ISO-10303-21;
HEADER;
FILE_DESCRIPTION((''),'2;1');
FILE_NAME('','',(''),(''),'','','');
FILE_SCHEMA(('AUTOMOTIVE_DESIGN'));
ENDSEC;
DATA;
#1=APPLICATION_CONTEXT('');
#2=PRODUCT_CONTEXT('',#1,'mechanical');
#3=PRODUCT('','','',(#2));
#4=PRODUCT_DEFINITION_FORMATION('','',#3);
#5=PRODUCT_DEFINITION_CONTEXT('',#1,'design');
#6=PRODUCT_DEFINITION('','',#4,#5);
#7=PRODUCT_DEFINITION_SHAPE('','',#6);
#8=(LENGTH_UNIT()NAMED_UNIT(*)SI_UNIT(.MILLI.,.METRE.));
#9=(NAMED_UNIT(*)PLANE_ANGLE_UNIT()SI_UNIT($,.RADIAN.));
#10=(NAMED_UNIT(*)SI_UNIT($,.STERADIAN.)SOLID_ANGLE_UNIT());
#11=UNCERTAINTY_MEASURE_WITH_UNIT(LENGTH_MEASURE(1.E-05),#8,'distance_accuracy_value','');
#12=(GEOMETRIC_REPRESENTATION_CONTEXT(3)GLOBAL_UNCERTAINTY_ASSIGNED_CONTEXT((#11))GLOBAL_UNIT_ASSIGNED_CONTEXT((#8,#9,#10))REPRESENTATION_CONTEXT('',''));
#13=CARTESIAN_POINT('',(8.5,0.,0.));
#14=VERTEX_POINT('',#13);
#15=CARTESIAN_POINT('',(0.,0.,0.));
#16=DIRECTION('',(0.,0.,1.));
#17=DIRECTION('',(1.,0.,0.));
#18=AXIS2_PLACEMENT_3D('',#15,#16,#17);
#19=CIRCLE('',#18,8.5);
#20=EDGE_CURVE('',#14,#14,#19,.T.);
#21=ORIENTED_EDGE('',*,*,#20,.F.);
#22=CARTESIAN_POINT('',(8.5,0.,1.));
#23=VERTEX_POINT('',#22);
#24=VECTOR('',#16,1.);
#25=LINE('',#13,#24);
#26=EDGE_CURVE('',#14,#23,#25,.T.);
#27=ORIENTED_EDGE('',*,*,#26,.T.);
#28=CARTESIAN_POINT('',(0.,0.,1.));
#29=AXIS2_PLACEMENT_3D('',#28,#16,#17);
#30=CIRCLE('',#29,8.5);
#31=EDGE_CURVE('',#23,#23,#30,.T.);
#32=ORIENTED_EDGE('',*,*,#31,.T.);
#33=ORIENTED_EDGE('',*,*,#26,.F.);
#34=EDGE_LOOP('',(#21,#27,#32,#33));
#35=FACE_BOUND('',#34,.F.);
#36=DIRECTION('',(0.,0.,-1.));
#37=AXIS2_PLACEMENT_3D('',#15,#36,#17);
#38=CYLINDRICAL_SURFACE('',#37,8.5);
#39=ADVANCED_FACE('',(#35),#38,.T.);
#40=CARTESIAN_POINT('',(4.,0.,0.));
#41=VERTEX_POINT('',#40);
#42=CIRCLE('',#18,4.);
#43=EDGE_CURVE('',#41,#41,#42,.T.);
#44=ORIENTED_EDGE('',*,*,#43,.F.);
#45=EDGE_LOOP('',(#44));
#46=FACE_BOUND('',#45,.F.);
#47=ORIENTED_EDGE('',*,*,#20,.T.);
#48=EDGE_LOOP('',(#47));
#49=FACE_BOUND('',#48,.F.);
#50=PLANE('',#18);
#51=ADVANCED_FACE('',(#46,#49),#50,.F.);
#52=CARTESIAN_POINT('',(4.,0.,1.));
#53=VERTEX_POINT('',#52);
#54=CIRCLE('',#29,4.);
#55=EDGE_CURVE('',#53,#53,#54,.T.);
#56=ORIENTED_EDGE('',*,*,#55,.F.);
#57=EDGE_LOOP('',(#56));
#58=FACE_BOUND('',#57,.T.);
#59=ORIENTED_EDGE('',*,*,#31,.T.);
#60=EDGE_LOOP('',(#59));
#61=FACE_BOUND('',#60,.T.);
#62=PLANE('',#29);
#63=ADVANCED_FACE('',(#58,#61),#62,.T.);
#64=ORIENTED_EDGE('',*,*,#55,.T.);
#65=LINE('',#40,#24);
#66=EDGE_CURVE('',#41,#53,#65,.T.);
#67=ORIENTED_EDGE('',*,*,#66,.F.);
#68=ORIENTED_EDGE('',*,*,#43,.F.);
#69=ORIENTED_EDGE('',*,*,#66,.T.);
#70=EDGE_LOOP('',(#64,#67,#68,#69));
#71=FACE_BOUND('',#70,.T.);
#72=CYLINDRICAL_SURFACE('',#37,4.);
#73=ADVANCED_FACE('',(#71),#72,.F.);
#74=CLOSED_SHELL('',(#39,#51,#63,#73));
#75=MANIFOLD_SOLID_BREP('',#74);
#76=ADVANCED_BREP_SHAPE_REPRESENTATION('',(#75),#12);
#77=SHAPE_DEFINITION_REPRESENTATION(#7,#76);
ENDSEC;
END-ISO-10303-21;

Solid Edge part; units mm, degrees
sketch "Sketch1" plane through (0, 0, 0) normal (0, 0, 1) x (1, 0, 0)
  circle A0 centre (0, 0) radius 4
  circle A1 centre (0, 0) radius 8.5
extrude "Protrusion1" add sketch "Sketch1" along normal blind 1
properties material "Acél"
